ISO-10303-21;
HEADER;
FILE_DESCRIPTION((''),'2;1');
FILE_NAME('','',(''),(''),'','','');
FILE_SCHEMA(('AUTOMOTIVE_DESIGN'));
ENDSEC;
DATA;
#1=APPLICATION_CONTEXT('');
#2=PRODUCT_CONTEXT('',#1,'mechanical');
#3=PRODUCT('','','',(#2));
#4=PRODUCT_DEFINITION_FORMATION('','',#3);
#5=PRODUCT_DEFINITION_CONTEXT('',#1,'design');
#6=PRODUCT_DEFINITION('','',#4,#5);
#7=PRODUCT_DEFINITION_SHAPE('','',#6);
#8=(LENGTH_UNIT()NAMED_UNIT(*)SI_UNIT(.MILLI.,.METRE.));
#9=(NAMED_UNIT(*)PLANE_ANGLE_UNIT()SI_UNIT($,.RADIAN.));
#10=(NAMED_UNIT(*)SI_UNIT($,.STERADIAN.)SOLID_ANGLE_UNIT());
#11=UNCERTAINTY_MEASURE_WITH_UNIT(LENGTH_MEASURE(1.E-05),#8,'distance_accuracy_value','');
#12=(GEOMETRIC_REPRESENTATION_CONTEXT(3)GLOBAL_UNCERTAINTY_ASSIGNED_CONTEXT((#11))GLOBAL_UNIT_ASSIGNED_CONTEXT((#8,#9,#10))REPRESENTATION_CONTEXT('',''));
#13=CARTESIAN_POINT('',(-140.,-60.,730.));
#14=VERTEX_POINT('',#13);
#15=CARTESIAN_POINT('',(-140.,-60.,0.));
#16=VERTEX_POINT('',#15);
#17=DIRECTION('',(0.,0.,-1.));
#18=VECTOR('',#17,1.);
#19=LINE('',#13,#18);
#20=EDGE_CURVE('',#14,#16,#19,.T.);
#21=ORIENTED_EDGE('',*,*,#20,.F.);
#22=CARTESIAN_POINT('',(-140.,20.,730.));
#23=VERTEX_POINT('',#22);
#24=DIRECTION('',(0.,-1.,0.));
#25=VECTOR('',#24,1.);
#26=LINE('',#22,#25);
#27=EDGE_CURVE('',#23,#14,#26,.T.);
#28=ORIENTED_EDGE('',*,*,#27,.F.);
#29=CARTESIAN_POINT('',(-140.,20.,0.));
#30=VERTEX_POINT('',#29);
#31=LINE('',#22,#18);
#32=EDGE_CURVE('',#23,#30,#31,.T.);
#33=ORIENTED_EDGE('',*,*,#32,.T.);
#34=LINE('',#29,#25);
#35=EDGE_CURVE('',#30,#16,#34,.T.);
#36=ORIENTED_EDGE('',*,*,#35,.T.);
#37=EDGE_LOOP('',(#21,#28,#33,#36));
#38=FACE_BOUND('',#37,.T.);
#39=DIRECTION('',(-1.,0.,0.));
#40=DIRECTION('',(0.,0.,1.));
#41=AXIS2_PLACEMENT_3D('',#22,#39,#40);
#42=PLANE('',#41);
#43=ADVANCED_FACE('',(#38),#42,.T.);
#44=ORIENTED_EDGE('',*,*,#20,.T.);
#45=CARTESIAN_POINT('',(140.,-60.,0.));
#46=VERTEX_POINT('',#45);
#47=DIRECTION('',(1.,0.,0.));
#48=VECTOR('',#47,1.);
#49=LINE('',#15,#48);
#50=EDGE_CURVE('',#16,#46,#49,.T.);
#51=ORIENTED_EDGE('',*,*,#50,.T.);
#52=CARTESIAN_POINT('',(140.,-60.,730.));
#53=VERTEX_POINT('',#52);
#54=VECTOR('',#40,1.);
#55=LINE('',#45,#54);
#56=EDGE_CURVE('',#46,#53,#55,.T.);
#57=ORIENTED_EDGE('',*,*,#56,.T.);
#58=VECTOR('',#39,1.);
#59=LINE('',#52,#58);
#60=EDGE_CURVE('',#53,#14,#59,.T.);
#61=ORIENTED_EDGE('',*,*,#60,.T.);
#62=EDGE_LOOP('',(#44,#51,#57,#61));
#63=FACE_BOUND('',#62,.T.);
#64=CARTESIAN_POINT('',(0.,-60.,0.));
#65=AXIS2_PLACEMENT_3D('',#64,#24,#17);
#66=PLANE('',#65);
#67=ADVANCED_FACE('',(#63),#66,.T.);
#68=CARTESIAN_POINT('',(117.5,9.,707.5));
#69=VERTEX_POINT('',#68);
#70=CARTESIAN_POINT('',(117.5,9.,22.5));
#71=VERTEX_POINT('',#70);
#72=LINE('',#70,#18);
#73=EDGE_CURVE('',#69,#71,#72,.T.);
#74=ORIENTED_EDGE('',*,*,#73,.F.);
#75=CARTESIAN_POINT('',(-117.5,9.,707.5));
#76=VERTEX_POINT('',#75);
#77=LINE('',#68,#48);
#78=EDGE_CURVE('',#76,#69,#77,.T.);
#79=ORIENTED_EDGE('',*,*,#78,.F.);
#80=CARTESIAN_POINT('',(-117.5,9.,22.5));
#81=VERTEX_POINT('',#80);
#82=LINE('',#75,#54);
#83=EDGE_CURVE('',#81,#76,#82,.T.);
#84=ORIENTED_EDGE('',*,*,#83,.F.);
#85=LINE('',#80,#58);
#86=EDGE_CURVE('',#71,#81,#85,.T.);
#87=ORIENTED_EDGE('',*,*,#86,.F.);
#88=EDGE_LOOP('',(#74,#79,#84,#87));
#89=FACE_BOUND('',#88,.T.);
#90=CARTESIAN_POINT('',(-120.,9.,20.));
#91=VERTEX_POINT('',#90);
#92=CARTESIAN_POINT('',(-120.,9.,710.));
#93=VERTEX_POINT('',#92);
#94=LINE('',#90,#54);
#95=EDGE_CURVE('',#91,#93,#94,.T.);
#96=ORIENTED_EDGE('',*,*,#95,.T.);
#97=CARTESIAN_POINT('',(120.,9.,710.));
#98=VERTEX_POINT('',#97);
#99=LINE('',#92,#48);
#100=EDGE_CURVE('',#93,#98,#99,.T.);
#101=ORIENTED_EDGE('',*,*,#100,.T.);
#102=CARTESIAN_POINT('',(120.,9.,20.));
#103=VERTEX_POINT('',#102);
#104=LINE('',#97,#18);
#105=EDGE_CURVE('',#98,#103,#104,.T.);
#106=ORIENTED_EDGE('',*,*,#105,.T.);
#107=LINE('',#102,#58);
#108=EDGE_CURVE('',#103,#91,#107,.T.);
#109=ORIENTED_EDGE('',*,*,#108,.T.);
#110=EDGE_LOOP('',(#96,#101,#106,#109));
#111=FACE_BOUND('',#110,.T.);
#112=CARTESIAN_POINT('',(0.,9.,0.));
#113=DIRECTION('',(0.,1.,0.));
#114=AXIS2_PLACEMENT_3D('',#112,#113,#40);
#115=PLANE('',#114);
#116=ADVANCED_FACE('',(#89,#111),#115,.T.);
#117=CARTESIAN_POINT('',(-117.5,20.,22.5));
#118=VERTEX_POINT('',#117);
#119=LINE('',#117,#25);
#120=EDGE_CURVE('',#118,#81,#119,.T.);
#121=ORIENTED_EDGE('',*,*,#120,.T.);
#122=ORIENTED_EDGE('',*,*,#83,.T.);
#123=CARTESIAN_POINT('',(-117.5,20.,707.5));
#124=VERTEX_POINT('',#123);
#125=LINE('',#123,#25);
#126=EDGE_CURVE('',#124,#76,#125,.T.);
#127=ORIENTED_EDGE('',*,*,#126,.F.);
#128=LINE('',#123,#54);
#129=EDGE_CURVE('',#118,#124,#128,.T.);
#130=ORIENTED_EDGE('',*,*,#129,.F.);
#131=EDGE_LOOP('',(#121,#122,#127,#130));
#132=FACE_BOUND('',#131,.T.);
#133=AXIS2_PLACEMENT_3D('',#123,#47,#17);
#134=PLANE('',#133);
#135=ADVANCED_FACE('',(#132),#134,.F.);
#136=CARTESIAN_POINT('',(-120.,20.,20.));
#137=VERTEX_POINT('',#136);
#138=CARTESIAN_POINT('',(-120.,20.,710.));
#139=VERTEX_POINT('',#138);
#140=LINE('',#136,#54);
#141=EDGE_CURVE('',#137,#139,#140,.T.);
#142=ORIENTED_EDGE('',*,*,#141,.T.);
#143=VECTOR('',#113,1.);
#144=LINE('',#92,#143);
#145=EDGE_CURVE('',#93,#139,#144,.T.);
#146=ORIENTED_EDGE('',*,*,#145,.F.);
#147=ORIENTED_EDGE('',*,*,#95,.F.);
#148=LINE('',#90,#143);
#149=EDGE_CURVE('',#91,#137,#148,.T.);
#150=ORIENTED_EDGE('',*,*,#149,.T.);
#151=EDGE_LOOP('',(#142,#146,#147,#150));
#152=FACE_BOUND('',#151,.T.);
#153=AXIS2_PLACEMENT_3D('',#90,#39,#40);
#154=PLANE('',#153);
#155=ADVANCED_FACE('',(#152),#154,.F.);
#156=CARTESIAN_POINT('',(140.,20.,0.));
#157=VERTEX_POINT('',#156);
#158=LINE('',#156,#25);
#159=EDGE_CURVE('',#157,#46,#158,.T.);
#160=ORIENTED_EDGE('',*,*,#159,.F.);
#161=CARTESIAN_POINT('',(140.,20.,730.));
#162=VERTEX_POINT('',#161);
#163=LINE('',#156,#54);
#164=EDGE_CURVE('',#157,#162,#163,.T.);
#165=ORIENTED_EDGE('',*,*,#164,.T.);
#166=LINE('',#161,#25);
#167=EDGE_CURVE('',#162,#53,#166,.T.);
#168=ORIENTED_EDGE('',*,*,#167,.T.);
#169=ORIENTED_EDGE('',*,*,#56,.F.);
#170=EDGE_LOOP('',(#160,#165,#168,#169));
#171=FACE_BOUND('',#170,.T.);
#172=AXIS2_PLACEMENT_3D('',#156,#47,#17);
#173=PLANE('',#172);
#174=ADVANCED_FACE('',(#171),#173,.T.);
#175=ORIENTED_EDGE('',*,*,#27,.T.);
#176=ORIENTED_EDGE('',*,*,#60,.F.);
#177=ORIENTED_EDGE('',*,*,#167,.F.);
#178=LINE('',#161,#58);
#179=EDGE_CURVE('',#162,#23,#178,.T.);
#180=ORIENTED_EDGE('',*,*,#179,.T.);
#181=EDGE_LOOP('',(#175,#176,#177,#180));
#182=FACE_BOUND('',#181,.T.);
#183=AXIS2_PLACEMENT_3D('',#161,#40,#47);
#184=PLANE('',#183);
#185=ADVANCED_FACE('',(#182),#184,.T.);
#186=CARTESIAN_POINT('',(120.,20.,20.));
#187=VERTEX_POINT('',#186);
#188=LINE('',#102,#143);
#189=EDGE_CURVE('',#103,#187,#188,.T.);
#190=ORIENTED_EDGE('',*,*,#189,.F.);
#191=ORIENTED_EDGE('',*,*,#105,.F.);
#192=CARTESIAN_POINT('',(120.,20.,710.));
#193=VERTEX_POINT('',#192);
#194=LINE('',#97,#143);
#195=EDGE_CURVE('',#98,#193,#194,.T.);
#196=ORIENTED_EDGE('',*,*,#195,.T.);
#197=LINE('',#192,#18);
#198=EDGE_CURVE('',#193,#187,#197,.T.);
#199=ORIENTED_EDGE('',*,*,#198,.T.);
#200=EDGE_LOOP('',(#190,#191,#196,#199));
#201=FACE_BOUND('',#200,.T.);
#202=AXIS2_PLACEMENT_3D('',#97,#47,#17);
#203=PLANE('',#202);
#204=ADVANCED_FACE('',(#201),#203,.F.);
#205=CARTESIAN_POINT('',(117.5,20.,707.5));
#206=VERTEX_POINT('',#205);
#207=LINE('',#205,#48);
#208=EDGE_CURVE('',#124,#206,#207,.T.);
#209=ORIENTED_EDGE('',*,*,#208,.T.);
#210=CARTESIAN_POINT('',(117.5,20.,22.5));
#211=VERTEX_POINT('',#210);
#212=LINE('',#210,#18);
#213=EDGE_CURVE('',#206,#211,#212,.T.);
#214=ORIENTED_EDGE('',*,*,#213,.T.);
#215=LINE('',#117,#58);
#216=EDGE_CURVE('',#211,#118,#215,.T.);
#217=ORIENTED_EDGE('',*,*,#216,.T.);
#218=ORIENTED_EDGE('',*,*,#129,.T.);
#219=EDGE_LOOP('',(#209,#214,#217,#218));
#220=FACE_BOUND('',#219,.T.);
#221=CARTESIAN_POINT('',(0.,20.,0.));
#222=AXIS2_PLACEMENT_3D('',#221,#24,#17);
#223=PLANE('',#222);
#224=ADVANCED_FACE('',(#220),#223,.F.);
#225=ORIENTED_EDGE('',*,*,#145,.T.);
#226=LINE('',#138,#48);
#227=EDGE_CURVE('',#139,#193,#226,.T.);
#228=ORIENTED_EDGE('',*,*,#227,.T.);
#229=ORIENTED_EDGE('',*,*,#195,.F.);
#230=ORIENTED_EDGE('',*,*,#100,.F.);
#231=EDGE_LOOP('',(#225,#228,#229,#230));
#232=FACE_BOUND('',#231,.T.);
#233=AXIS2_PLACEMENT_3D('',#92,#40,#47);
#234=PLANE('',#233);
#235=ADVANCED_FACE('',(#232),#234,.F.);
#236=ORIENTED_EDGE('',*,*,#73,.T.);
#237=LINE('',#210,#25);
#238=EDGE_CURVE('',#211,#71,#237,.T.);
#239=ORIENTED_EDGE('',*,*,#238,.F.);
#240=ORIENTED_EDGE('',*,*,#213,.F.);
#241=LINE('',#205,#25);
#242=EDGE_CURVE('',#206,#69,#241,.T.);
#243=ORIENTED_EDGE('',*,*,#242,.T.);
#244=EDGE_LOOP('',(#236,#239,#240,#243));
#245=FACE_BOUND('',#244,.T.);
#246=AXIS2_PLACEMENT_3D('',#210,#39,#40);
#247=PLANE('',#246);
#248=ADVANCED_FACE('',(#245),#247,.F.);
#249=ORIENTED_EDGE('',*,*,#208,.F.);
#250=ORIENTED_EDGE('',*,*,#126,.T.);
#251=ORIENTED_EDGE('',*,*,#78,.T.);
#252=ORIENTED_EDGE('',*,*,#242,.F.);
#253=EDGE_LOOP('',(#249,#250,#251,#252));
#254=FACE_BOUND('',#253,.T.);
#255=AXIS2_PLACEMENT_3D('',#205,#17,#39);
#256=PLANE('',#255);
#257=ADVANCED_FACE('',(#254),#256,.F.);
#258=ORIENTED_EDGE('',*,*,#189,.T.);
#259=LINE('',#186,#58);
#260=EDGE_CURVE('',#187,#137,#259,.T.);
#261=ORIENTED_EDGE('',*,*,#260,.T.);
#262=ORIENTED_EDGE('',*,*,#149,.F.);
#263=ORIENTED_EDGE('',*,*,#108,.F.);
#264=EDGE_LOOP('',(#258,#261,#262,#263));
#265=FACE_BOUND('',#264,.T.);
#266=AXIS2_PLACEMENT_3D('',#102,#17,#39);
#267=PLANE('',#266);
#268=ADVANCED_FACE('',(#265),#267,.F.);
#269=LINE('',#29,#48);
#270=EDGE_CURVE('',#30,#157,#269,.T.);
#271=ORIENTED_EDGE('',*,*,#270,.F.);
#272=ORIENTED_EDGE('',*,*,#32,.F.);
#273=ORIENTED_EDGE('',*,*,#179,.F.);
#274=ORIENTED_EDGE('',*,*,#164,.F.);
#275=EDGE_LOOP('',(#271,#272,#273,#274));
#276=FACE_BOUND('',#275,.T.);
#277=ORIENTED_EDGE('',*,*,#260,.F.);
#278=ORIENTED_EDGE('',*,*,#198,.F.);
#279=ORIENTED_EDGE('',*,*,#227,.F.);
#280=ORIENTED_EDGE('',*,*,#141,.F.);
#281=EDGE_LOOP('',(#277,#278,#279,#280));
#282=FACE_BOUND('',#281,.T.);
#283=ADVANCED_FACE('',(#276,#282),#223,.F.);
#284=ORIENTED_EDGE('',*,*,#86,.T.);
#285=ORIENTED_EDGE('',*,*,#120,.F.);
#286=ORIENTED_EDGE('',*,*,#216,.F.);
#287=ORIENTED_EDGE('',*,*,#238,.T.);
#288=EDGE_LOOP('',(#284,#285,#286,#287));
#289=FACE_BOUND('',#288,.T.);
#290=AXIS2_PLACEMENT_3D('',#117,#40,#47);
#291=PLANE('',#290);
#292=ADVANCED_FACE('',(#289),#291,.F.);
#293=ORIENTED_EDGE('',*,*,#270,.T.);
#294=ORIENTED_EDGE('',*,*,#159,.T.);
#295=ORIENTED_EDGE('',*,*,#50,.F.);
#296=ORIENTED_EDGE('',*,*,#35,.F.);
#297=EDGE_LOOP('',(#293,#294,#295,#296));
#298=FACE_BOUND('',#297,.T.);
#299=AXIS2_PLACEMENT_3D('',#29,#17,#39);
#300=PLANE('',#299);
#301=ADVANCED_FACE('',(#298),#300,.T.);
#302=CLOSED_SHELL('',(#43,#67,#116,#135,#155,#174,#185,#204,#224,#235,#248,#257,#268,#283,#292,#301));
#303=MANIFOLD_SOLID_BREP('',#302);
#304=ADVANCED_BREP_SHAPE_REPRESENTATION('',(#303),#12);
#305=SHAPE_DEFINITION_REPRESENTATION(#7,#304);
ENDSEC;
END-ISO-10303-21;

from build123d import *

# Parameters (mm, degrees)
SKETCH1_W           = 280
SKETCH1_H           = 730
BOSS_EXTRUDE1_DEPTH = 80
SKETCH2_W           = 240
SKETCH2_H           = 690
CUT_EXTRUDE1_DEPTH  = 11
SKETCH3_W           = 235
SKETCH3_H           = 685
BOSS_EXTRUDE2_DEPTH = 11


with BuildPart() as part:
    # Sketch1 → Boss-Extrude1 (new body)
    with BuildSketch(Plane.XZ.offset(60)):
        with Locations((0, 365)):
            Rectangle(SKETCH1_W, SKETCH1_H)
    extrude(amount=-BOSS_EXTRUDE1_DEPTH)

    # Sketch2 → Cut-Extrude1 (cut)
    with BuildSketch(Plane(origin=(0, 20, 0), x_dir=(-1, 0, 0), z_dir=(0, 1, 0))):
        with Locations((0, 365)):
            Rectangle(SKETCH2_W, SKETCH2_H)
    extrude(amount=-CUT_EXTRUDE1_DEPTH, mode=Mode.SUBTRACT)

    # Sketch3 → Boss-Extrude2 (add)
    with BuildSketch(Plane(origin=(0, 9, 0), x_dir=(-1, 0, 0), z_dir=(0, 1, 0))):
        with Locations((0, 365)):
            Rectangle(SKETCH3_W, SKETCH3_H)
    extrude(amount=BOSS_EXTRUDE2_DEPTH)


solid = part.part
